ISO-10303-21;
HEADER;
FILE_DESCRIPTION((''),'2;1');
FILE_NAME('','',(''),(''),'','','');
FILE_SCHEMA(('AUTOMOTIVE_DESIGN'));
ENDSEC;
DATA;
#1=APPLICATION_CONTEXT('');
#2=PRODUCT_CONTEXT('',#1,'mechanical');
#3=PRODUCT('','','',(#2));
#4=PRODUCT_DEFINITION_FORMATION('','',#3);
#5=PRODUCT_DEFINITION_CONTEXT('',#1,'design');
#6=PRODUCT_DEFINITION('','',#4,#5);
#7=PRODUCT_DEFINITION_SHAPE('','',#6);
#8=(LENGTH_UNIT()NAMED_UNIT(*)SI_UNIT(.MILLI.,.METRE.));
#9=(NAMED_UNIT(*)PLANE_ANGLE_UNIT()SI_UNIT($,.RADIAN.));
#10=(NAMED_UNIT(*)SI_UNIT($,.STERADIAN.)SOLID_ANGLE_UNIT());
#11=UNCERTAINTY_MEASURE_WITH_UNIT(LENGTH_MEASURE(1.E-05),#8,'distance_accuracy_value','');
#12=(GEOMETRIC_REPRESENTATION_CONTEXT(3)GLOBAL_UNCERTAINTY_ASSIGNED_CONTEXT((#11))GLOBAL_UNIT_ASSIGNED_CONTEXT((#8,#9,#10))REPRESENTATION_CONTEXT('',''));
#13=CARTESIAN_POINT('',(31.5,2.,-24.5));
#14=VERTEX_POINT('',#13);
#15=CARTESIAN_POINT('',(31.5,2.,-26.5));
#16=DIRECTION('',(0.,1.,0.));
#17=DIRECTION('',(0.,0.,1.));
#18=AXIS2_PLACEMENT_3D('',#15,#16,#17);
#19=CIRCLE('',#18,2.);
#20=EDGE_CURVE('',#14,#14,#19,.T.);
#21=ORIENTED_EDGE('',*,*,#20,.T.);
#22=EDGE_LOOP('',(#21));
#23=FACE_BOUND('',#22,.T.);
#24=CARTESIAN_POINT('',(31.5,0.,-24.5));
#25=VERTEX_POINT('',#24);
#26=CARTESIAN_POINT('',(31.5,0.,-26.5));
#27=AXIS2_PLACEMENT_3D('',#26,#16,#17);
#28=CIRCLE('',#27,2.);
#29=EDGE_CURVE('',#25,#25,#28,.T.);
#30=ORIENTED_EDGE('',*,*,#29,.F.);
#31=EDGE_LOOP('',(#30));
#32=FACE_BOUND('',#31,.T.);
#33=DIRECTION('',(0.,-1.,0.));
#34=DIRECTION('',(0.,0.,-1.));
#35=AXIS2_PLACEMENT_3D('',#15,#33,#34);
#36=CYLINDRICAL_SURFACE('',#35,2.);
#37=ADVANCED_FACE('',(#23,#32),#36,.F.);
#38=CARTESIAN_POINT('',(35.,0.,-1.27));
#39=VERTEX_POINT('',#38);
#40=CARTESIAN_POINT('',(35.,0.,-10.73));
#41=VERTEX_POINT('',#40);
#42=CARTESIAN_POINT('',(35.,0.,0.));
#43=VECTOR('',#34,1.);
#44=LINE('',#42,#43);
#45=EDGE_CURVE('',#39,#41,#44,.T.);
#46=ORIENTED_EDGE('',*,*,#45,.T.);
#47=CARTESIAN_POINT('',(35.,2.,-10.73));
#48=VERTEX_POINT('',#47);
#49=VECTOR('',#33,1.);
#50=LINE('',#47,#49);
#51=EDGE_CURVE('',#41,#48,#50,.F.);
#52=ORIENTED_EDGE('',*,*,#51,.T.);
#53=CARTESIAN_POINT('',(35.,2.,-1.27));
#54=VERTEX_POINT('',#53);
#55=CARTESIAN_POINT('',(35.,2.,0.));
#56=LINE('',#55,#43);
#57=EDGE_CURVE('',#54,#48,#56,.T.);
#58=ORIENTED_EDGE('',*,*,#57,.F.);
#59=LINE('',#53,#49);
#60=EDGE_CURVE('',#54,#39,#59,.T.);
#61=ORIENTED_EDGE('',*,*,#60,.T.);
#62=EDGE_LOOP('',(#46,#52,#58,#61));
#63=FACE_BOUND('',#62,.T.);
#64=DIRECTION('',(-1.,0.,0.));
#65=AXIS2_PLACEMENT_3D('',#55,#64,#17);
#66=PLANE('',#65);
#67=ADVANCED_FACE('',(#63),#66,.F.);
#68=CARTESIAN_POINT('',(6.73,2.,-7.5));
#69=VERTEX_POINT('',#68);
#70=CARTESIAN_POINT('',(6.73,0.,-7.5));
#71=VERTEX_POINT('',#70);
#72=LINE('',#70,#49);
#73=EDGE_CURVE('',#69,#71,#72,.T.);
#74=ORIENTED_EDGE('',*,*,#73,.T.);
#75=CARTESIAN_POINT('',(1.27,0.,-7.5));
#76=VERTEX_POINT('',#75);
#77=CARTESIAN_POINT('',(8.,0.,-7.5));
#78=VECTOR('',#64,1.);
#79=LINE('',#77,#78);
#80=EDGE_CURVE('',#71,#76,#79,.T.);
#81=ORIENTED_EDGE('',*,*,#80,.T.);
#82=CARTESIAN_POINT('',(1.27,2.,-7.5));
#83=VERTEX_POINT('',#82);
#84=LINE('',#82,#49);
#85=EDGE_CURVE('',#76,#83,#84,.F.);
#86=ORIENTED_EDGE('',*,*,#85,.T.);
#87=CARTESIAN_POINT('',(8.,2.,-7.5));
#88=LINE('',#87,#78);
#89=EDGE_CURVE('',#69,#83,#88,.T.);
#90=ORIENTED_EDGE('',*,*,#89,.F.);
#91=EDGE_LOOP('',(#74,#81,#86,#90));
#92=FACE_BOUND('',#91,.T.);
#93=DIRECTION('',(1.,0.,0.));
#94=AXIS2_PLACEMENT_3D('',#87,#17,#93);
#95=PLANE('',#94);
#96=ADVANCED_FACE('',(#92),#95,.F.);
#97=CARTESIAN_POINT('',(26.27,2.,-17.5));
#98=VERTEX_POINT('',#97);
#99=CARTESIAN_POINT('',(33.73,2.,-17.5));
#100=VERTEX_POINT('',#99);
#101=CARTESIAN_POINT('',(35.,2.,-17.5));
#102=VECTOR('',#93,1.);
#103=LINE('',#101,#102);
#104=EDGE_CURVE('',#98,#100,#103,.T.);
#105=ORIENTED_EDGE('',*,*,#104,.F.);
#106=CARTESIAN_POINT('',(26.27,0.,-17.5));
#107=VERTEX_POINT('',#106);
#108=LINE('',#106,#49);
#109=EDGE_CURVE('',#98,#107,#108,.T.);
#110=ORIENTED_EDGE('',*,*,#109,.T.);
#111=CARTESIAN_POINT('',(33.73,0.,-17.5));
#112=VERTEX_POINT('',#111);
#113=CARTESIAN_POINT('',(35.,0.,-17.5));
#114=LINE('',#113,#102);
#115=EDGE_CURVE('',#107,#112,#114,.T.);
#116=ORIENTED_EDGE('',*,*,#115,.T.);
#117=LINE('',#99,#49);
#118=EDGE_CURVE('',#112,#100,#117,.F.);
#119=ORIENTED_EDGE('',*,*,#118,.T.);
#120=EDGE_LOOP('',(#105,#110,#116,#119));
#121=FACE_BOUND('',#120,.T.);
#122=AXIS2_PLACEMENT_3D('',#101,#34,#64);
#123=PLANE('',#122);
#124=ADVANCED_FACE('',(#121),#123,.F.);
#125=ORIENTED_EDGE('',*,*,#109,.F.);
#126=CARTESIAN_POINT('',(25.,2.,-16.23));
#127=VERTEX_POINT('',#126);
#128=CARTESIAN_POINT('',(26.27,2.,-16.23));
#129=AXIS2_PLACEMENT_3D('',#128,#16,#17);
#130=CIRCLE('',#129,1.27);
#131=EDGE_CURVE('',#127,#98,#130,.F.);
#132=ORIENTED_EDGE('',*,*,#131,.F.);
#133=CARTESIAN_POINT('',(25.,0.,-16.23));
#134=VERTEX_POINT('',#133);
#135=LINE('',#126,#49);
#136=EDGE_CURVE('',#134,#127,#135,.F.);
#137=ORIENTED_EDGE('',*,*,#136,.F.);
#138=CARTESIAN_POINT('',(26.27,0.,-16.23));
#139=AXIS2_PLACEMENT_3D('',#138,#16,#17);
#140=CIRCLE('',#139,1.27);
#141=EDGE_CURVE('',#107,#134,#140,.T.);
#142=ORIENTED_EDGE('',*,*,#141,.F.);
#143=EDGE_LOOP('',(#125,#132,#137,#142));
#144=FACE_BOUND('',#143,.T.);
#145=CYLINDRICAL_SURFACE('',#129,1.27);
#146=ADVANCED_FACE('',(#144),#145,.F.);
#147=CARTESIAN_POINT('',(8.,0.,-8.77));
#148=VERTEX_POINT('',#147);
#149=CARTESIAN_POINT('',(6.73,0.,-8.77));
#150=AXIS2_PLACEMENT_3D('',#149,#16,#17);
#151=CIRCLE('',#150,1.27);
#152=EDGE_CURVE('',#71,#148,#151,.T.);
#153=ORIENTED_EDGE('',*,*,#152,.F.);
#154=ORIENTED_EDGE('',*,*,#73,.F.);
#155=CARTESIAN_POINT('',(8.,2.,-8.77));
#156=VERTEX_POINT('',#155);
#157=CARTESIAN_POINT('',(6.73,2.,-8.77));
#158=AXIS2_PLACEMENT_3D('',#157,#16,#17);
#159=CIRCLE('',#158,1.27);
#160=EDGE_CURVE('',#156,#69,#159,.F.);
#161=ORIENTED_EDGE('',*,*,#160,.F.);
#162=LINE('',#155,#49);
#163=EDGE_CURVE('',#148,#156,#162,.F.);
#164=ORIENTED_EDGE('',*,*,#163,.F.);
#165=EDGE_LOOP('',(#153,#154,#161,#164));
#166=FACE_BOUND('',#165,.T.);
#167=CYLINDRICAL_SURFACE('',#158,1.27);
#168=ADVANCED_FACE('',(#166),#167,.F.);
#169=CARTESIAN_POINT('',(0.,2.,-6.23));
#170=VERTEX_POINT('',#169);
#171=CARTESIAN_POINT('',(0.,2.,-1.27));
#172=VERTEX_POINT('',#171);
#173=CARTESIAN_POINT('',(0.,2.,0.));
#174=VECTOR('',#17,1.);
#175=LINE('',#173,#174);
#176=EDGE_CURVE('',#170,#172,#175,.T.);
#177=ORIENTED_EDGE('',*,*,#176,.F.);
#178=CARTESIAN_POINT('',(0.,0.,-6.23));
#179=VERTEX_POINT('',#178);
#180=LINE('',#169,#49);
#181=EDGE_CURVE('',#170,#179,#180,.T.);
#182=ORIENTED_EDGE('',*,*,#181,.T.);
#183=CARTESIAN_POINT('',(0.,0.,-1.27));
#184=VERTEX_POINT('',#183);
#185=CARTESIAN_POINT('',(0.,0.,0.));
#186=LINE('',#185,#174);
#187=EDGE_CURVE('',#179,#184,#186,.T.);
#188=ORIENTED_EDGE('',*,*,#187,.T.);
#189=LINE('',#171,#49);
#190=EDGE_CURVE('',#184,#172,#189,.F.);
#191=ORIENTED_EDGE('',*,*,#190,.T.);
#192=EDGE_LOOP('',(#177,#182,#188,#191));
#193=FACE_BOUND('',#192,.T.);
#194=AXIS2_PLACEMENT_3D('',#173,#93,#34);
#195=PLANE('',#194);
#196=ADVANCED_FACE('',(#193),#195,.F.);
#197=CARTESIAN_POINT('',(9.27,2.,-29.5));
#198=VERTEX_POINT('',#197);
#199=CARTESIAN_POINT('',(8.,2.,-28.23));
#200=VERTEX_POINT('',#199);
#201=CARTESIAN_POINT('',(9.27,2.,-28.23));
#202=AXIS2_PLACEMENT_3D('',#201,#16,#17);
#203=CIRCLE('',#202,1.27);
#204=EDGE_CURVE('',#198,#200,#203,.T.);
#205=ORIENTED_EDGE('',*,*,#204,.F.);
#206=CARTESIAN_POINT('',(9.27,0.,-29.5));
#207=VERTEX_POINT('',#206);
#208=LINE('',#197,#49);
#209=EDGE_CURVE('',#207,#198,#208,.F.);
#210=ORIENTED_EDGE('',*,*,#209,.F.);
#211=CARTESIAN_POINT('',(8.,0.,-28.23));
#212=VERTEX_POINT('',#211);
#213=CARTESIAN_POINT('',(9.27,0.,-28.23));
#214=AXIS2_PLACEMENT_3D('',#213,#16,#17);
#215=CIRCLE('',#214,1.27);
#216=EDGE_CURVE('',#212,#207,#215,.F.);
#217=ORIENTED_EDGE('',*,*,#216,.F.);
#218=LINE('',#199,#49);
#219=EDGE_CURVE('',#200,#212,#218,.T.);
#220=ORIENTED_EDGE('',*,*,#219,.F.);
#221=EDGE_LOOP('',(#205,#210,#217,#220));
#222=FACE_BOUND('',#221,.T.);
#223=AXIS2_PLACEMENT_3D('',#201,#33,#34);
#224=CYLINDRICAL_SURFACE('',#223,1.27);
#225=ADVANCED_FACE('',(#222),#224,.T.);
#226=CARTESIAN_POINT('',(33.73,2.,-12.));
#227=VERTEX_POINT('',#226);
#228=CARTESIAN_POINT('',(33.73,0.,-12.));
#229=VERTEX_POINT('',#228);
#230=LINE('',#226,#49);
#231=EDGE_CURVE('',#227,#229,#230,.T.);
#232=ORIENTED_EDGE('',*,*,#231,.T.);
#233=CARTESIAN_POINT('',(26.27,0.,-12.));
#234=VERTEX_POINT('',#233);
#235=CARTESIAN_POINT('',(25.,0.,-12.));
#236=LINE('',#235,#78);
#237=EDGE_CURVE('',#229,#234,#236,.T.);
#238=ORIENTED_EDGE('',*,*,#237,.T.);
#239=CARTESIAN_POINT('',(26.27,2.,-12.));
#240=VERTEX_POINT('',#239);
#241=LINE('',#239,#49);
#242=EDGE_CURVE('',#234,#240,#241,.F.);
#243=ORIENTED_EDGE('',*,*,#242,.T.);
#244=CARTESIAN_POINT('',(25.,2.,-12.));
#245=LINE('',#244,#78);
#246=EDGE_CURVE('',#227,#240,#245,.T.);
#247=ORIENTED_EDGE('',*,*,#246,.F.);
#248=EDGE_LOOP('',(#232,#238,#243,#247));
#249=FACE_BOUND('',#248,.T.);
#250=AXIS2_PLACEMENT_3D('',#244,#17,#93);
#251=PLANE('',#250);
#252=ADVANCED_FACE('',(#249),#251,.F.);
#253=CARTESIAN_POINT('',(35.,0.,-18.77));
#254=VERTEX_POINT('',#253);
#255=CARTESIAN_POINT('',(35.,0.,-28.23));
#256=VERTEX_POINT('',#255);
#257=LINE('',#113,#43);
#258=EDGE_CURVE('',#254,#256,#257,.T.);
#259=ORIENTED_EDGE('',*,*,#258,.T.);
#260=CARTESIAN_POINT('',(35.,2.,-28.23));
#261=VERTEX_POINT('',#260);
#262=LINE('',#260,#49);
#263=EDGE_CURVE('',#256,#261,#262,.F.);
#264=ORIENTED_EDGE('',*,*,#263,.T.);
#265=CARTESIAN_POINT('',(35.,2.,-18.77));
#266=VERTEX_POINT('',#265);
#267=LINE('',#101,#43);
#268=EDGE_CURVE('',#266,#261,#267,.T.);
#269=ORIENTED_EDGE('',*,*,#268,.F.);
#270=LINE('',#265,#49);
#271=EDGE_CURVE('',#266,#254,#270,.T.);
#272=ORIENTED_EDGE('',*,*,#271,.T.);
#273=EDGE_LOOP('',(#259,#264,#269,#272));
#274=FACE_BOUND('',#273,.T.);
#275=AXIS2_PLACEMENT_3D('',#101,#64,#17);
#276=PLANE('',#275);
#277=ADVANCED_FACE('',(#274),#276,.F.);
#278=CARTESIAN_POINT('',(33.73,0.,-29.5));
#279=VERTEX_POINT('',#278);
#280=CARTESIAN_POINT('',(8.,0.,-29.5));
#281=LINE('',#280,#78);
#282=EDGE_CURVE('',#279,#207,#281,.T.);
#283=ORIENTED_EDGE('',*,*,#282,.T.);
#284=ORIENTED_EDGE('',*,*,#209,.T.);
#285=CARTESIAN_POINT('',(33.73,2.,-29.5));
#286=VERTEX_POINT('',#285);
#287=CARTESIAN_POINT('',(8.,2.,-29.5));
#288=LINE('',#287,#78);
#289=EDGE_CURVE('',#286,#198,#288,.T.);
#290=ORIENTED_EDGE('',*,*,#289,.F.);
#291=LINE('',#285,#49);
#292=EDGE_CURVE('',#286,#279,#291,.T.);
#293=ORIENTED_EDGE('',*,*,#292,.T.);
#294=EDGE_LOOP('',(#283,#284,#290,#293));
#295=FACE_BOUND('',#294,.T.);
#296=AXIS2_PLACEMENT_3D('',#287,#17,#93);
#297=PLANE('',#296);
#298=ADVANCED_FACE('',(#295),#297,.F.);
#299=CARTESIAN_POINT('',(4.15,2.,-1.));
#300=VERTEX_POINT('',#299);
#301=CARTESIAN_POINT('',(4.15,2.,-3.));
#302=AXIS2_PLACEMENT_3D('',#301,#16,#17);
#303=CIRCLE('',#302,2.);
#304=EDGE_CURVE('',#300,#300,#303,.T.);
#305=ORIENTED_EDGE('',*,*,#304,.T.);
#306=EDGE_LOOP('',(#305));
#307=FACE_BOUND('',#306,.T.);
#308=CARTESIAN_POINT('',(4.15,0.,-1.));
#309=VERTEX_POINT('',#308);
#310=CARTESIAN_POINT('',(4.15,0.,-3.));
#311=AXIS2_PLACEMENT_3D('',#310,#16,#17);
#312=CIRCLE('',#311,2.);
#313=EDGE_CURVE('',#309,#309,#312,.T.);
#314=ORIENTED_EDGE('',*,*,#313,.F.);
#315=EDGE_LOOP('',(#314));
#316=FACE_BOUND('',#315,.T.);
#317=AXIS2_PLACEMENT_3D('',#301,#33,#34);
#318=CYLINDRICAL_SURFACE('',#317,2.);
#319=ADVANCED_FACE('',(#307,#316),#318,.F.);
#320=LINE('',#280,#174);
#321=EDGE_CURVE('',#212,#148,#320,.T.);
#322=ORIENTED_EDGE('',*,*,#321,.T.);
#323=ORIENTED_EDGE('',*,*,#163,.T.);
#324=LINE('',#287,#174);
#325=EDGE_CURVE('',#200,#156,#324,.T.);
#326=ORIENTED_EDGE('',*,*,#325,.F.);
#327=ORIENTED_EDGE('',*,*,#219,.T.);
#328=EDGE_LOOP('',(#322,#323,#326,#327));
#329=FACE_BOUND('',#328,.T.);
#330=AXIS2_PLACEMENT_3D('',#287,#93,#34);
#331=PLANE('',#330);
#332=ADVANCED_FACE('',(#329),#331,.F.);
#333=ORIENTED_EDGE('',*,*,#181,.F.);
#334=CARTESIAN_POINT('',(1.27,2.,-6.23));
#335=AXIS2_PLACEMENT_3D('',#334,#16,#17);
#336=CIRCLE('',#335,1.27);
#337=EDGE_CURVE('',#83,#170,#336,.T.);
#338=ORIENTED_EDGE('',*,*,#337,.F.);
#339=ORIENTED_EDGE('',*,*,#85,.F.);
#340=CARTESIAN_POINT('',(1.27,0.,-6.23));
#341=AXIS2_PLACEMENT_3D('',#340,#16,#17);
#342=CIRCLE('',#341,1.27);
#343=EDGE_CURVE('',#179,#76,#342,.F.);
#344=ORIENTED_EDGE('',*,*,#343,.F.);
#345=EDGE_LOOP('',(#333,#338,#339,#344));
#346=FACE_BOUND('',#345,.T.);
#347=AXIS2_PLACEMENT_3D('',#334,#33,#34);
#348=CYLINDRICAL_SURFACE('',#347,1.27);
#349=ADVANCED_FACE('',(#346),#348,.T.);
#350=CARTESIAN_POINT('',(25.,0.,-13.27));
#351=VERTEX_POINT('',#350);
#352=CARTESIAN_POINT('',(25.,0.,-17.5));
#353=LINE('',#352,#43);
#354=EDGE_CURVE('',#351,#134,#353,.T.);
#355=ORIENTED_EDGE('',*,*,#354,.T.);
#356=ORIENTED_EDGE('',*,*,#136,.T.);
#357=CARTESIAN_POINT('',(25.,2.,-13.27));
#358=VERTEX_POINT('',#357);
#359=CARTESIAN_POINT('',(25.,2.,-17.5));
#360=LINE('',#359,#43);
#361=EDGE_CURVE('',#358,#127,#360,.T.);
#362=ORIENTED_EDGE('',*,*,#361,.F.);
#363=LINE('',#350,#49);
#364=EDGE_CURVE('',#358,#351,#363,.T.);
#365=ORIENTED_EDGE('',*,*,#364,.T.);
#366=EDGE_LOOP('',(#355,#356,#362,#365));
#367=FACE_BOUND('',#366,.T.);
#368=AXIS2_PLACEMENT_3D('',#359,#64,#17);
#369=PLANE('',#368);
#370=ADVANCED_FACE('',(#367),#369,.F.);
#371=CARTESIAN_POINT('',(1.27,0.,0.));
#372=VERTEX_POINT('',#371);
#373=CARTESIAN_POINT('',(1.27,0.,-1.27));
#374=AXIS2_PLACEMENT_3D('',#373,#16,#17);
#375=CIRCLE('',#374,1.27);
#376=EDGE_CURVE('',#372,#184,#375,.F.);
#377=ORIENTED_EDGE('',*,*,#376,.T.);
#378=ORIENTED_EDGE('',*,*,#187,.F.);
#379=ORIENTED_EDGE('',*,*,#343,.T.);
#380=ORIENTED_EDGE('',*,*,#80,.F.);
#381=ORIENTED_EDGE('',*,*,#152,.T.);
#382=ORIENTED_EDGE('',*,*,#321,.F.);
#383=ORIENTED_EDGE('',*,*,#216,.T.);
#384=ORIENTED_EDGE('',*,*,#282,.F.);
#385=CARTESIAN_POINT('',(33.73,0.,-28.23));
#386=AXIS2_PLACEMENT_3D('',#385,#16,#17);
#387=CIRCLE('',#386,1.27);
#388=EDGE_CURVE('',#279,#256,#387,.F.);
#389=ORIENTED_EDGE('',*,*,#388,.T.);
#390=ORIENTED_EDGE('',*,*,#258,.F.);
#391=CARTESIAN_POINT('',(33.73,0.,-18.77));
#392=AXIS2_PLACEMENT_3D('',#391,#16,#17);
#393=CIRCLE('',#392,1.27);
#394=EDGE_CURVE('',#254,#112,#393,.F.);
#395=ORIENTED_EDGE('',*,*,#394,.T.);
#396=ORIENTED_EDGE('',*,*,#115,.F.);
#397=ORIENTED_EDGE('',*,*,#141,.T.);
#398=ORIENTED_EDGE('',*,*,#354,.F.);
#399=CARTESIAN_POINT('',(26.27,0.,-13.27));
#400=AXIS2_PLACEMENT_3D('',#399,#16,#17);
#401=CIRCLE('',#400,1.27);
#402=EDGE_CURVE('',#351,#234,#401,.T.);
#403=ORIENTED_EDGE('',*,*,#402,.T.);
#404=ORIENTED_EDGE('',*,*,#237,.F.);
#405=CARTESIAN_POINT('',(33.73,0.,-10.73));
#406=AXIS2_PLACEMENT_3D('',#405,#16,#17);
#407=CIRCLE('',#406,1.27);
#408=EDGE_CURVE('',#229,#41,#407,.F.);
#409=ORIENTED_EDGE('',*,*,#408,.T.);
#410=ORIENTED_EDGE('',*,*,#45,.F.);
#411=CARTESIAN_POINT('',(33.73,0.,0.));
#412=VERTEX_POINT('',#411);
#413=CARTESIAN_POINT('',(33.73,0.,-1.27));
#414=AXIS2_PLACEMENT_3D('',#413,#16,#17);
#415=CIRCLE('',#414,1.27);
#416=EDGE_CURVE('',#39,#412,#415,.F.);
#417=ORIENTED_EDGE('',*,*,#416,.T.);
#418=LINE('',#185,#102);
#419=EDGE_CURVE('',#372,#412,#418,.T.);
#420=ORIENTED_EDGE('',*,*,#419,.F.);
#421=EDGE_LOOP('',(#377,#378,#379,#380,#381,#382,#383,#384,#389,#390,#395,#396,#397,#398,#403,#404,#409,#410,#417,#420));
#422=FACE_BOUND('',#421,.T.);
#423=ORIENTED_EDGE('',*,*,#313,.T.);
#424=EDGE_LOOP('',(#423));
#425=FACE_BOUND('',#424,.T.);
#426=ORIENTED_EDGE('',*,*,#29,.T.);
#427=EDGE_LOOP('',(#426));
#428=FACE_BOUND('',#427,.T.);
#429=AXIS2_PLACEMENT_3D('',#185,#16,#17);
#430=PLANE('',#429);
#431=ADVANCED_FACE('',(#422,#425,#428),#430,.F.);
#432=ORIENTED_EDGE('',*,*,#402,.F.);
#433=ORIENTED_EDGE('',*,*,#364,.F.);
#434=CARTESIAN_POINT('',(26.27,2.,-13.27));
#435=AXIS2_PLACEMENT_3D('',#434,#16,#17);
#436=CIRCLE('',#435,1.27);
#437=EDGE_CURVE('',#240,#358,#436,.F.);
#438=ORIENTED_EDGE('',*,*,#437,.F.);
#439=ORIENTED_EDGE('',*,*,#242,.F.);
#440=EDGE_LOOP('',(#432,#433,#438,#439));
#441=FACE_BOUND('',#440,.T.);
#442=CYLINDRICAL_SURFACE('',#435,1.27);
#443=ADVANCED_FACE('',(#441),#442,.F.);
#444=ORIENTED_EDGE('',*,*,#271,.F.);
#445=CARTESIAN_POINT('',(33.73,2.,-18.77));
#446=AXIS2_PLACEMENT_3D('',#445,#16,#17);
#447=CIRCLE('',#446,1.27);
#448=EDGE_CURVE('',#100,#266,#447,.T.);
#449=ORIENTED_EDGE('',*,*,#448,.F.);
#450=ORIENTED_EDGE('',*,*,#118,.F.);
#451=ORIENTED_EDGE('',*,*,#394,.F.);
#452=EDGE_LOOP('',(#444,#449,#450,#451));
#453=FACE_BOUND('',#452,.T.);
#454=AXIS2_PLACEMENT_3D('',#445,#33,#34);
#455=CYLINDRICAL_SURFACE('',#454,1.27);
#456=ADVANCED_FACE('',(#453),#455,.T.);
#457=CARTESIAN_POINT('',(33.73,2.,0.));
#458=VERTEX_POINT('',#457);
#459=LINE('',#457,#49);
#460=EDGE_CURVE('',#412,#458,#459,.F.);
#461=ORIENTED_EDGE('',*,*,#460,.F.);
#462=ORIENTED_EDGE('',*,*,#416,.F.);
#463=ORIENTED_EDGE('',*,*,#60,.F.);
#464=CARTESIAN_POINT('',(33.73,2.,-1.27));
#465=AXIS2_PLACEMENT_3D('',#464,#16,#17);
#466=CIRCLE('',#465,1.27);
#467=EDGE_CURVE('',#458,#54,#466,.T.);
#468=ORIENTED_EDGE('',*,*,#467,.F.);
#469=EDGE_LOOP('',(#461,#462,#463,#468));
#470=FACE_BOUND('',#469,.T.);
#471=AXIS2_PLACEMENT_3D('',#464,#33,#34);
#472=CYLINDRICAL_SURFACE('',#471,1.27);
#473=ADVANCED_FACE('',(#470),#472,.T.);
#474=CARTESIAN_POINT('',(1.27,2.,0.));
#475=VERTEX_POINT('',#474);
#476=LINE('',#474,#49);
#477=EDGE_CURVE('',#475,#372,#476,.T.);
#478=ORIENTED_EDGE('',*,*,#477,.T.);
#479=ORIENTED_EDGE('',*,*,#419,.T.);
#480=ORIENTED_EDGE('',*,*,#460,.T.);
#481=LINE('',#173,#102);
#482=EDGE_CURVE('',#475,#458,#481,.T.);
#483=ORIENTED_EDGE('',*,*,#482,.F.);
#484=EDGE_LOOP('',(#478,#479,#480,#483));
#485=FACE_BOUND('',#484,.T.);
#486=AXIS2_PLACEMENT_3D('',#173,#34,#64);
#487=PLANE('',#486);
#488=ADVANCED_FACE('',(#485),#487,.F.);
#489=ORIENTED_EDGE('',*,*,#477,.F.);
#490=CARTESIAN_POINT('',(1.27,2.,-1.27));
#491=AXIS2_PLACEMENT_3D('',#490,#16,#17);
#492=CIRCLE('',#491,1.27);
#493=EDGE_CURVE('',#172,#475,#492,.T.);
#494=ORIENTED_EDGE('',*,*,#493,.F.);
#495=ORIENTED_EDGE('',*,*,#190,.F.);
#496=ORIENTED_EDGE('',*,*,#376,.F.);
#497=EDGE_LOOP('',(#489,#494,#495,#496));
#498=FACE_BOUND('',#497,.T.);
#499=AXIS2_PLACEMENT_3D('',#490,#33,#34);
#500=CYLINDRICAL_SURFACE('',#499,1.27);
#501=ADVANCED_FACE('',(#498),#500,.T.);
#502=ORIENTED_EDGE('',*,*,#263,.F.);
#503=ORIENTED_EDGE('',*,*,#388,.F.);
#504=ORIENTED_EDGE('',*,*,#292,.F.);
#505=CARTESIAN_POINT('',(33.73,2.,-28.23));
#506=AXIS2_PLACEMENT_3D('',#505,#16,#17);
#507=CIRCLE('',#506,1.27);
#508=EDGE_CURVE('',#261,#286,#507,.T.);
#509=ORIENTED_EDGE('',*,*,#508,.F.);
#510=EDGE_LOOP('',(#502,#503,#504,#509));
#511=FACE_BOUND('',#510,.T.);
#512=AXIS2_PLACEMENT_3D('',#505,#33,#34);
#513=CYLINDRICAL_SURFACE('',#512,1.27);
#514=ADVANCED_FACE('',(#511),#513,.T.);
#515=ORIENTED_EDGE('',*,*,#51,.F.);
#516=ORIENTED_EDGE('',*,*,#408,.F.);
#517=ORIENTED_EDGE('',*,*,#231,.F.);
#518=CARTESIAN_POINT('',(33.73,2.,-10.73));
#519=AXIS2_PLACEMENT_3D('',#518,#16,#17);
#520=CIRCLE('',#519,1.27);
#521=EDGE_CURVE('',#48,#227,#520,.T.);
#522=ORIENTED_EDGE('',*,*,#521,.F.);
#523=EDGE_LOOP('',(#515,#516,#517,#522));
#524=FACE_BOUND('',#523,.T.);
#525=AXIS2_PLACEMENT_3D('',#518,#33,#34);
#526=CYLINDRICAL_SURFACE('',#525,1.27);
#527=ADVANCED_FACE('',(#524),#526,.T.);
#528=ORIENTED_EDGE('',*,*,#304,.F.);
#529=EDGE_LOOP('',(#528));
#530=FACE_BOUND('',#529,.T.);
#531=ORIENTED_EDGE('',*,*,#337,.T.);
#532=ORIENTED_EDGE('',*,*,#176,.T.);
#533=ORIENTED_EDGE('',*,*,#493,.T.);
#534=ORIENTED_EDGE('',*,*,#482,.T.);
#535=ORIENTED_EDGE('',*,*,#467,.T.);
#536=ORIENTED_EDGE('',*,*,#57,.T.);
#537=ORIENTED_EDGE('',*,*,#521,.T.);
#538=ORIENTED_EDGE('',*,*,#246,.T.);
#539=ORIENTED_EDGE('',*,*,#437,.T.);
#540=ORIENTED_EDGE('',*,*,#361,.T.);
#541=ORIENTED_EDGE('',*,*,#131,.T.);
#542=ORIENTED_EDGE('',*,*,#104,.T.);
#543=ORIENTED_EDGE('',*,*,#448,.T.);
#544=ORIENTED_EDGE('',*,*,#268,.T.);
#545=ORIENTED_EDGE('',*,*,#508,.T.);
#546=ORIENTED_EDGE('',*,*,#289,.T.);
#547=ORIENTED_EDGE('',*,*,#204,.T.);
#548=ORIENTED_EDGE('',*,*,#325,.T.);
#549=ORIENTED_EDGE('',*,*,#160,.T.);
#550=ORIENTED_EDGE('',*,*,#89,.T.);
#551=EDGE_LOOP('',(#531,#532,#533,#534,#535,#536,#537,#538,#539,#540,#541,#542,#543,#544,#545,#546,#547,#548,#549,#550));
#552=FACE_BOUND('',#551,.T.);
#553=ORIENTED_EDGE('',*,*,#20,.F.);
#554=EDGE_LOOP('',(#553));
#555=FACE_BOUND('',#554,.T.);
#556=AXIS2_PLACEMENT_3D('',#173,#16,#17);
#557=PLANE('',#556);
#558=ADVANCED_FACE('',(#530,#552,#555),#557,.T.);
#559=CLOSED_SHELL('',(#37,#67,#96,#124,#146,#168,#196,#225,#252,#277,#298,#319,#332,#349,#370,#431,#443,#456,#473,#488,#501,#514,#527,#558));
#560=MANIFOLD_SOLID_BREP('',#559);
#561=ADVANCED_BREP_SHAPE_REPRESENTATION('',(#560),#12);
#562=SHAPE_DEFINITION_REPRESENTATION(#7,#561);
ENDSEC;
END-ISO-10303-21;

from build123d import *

# Parameters (mm, degrees)
CROQUIS1_R              = 2
SALIENTE_EXTRUIR1_DEPTH = 2
REDONDEO5_R             = 1.27


with BuildPart() as part:
    # Croquis1 → Saliente-Extruir1 (new body)
    with BuildSketch(Plane(origin=(0, 0, 0), x_dir=(1, 0, 0), z_dir=(0, 1, 0))):
        Polygon((0, 0), (35, 0), (35, 12), (25, 12), (25, 17.5), (35, 17.5), (35, 29.5), (8, 29.5), (8, 7.5), (0, 7.5), align=None)
        with Locations(Location((4.15, 3, 0), (0, 0, 270))):
            Circle(CROQUIS1_R, mode=Mode.SUBTRACT)
        with Locations(Location((31.5, 26.5, 0), (0, 0, 270))):
            Circle(CROQUIS1_R, mode=Mode.SUBTRACT)
    extrude(amount=SALIENTE_EXTRUIR1_DEPTH)

    # Redondeo5
    redondeo5_edges = [part.edges().sort_by_distance(p)[0] for p in [
        (0, 1, -7.5),
        (8, 1, -7.5),
        (8, 1, -29.5),
        (35, 1, -29.5),
        (35, 1, -17.5),
        (25, 1, -17.5),
        (25, 1, -12),
        (35, 1, -12),
        (35, 1, 0),
        (0, 1, 0),
    ]]
    fillet(redondeo5_edges, radius=REDONDEO5_R)


solid = part.part
